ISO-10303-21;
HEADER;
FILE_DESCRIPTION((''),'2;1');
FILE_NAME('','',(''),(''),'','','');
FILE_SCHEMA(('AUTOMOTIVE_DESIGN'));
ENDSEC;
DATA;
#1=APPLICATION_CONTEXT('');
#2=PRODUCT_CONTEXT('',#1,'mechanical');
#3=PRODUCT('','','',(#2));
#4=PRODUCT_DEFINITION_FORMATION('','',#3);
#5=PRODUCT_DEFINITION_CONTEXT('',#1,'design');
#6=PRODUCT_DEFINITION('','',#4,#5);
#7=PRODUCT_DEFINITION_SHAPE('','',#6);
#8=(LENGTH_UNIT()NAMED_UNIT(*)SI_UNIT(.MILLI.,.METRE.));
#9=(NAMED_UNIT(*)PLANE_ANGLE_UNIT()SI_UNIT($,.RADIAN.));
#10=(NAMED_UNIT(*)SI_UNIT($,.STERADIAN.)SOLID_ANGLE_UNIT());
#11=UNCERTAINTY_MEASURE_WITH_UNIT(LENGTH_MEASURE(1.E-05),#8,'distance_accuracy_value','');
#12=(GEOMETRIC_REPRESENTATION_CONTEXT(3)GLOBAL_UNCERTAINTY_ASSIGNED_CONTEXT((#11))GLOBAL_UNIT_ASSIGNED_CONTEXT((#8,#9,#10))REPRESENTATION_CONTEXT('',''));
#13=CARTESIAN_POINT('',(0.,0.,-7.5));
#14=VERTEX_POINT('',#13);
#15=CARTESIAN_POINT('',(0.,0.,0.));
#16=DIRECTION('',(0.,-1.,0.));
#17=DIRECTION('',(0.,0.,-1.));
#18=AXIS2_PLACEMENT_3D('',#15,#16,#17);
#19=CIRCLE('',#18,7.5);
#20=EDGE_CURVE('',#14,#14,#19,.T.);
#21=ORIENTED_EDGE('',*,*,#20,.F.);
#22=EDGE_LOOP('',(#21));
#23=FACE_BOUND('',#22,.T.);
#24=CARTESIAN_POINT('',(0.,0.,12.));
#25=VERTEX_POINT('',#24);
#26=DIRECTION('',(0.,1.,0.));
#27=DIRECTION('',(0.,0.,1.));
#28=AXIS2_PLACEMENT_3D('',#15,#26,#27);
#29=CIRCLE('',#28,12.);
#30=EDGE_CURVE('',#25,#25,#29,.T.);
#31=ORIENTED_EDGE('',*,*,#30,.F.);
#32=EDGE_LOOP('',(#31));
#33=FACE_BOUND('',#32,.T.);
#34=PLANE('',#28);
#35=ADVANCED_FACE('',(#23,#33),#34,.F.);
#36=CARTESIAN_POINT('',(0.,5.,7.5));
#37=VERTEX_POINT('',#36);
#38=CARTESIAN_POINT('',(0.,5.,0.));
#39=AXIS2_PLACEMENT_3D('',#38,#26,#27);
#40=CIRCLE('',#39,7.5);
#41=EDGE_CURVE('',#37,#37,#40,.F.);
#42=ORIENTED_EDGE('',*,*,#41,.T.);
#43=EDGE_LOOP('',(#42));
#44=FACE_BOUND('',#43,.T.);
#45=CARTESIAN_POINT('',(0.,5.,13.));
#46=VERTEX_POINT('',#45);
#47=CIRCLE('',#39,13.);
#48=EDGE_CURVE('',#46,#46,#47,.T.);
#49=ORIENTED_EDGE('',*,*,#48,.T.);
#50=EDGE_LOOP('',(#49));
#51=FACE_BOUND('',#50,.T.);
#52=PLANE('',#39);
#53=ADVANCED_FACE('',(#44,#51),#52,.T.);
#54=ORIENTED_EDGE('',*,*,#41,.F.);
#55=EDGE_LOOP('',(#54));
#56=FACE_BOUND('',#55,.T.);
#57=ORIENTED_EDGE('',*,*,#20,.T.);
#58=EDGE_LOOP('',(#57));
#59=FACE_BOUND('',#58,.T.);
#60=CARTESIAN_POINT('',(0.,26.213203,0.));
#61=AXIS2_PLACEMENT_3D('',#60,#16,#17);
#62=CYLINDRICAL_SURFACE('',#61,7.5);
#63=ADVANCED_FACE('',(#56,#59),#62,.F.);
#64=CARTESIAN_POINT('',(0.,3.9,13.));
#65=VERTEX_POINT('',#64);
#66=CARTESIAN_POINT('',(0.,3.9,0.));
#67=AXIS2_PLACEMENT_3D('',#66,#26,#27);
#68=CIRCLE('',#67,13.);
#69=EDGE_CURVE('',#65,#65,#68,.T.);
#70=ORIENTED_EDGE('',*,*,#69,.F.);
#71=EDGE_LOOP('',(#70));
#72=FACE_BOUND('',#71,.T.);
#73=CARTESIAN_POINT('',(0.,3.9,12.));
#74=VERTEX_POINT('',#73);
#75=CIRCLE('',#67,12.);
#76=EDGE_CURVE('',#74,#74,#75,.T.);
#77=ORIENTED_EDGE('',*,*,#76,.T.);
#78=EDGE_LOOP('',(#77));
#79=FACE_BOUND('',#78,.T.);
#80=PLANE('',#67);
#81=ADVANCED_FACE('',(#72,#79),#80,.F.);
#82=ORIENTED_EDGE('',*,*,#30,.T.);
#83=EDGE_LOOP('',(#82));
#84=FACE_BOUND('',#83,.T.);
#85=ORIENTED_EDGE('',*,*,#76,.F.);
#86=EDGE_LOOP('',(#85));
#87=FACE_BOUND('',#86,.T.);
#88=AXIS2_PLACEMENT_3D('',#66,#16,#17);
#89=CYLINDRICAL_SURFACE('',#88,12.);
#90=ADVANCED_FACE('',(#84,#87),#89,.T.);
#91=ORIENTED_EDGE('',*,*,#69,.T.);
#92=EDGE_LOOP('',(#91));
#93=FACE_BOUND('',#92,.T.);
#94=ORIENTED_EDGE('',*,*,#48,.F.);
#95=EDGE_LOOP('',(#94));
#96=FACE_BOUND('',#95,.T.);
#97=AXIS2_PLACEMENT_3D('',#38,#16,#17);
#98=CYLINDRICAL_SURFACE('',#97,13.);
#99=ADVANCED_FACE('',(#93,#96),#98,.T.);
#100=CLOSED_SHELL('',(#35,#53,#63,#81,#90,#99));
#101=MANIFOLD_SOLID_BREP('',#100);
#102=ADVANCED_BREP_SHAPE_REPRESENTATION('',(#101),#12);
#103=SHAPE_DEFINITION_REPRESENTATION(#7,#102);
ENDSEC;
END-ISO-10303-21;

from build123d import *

# Parameters (mm, degrees)
SKETCH_1_R          = 12
EXTRUDE_1_DEPTH     = 3.9
SKETCH_2_R          = 13
EXTRUDE_2_DEPTH     = 1.1
SKETCH_3_R          = 7.5
CUT_EXTRUDE_1_DEPTH = 5


with BuildPart() as part:
    # 草图1 → 凸台-拉伸1 (new body)
    with BuildSketch(Plane(origin=(0, 0, 0), x_dir=(1, 0, 0), z_dir=(0, 1, 0))):
        Circle(SKETCH_1_R)
    extrude(amount=EXTRUDE_1_DEPTH)

    # 草图2 → 凸台-拉伸2 (add)
    with BuildSketch(Plane(origin=(0, 3.9, 0), x_dir=(1, 0, 0), z_dir=(0, 1, 0))):
        Circle(SKETCH_2_R)
    extrude(amount=EXTRUDE_2_DEPTH)

    # 草图3 → 切除-拉伸1 (cut)
    with BuildSketch(Plane.XZ):
        Circle(SKETCH_3_R)
    extrude(amount=-CUT_EXTRUDE_1_DEPTH, mode=Mode.SUBTRACT)


solid = part.part
